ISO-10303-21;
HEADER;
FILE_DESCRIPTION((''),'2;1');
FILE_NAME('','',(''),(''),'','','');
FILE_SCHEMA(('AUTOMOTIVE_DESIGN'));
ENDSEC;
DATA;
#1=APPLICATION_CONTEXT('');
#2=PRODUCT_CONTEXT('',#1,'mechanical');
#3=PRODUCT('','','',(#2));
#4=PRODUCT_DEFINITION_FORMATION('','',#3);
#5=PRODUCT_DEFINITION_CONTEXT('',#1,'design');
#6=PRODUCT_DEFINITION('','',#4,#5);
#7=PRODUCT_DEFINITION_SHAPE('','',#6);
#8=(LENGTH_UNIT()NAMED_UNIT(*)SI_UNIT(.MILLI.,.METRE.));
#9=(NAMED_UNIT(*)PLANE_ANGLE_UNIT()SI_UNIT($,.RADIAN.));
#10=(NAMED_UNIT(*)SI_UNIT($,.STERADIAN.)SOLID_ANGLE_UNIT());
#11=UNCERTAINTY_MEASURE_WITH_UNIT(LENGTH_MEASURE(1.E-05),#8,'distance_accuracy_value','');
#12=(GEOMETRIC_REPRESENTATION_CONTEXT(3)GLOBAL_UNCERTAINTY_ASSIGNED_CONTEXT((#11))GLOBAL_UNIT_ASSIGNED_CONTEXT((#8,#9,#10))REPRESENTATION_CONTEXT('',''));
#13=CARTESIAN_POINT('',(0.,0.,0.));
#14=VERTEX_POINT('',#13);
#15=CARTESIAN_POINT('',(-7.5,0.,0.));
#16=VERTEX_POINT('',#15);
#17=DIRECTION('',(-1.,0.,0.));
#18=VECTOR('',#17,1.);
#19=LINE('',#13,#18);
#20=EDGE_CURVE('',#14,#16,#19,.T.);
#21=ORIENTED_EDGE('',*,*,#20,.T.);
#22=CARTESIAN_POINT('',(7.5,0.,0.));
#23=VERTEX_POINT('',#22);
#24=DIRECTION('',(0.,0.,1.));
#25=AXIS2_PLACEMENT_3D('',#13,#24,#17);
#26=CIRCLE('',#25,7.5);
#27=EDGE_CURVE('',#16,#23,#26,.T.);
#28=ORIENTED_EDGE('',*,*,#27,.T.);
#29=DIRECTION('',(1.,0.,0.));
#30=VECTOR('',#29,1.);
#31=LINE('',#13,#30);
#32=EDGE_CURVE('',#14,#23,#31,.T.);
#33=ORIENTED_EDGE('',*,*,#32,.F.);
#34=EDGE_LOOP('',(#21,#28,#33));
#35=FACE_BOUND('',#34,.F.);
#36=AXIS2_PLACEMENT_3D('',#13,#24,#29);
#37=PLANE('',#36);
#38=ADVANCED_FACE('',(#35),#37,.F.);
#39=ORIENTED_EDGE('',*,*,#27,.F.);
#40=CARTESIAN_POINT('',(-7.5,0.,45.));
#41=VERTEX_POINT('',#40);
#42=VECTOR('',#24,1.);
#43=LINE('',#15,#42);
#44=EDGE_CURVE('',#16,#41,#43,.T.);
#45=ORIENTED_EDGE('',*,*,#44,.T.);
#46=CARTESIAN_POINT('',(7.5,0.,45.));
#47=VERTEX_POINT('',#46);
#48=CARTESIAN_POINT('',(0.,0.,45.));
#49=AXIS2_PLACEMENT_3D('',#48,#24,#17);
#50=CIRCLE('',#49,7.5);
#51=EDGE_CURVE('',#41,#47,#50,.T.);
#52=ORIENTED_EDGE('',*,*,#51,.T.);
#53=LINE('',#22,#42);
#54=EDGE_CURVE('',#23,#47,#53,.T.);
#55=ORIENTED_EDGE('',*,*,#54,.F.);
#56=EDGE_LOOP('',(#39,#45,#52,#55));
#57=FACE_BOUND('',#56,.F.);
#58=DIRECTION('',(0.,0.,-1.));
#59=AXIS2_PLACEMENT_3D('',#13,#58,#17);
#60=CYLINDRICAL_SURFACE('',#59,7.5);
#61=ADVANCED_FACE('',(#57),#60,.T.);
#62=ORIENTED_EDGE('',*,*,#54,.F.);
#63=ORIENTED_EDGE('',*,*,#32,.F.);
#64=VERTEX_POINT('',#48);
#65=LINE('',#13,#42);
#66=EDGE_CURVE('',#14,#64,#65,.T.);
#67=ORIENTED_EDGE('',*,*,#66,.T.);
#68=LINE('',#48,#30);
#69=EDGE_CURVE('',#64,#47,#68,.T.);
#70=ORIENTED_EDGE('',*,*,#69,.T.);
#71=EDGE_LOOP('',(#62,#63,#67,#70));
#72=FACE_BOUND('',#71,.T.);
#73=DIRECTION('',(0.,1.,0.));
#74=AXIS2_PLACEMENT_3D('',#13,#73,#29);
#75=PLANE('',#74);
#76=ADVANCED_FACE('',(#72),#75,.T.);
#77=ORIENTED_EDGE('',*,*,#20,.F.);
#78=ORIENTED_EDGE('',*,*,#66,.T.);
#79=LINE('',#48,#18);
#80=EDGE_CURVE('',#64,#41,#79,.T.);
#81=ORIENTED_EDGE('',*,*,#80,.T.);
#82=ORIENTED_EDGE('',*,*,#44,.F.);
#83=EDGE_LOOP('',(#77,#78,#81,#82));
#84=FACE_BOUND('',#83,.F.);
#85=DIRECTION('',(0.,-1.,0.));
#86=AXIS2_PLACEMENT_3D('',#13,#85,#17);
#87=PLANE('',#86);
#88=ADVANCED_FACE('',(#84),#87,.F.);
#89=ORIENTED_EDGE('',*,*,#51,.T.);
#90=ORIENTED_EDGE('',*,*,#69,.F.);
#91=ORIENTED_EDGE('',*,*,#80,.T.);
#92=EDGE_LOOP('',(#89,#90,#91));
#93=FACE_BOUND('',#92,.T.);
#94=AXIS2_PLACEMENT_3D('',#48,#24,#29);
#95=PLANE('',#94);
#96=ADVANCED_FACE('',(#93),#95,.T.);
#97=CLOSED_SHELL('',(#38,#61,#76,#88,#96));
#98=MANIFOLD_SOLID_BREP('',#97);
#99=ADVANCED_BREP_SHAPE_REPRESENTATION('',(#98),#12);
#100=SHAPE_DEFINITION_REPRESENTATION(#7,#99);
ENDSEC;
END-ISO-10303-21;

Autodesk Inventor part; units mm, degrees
ref_plane "YZ Plane" through (0, 0, 0) normal (1, 0, 0) x (0, 1, 0)
ref_plane "XZ Plane" through (0, 0, 0) normal (0, 1, 0) x (-1, 0, 0)
ref_plane "XY Plane" through (0, 0, 0) normal (0, 0, 1) x (1, 0, 0)
sketch "Sketch1" plane through (0, 0, 0) normal (0, 0, 1) x (1, 0, 0)
  line L0 (0, 0) -> (7.5, 0)
  line L1 (0, 0) -> (-7.5, 0)
  arc A0 (-7.5, 0) -> (7.5, 0) centre (0, 0) ccw
  dimension "d0" = 7.5
  dimension "d1" = 7.5
  dimension "d2" = 7.5
extrude "Extrusion1" add sketch "Sketch1" along normal blind 45
properties part number "00_Glassslab_Lens_Cylindrical_30mm_Plexiglas" material "Glass"
